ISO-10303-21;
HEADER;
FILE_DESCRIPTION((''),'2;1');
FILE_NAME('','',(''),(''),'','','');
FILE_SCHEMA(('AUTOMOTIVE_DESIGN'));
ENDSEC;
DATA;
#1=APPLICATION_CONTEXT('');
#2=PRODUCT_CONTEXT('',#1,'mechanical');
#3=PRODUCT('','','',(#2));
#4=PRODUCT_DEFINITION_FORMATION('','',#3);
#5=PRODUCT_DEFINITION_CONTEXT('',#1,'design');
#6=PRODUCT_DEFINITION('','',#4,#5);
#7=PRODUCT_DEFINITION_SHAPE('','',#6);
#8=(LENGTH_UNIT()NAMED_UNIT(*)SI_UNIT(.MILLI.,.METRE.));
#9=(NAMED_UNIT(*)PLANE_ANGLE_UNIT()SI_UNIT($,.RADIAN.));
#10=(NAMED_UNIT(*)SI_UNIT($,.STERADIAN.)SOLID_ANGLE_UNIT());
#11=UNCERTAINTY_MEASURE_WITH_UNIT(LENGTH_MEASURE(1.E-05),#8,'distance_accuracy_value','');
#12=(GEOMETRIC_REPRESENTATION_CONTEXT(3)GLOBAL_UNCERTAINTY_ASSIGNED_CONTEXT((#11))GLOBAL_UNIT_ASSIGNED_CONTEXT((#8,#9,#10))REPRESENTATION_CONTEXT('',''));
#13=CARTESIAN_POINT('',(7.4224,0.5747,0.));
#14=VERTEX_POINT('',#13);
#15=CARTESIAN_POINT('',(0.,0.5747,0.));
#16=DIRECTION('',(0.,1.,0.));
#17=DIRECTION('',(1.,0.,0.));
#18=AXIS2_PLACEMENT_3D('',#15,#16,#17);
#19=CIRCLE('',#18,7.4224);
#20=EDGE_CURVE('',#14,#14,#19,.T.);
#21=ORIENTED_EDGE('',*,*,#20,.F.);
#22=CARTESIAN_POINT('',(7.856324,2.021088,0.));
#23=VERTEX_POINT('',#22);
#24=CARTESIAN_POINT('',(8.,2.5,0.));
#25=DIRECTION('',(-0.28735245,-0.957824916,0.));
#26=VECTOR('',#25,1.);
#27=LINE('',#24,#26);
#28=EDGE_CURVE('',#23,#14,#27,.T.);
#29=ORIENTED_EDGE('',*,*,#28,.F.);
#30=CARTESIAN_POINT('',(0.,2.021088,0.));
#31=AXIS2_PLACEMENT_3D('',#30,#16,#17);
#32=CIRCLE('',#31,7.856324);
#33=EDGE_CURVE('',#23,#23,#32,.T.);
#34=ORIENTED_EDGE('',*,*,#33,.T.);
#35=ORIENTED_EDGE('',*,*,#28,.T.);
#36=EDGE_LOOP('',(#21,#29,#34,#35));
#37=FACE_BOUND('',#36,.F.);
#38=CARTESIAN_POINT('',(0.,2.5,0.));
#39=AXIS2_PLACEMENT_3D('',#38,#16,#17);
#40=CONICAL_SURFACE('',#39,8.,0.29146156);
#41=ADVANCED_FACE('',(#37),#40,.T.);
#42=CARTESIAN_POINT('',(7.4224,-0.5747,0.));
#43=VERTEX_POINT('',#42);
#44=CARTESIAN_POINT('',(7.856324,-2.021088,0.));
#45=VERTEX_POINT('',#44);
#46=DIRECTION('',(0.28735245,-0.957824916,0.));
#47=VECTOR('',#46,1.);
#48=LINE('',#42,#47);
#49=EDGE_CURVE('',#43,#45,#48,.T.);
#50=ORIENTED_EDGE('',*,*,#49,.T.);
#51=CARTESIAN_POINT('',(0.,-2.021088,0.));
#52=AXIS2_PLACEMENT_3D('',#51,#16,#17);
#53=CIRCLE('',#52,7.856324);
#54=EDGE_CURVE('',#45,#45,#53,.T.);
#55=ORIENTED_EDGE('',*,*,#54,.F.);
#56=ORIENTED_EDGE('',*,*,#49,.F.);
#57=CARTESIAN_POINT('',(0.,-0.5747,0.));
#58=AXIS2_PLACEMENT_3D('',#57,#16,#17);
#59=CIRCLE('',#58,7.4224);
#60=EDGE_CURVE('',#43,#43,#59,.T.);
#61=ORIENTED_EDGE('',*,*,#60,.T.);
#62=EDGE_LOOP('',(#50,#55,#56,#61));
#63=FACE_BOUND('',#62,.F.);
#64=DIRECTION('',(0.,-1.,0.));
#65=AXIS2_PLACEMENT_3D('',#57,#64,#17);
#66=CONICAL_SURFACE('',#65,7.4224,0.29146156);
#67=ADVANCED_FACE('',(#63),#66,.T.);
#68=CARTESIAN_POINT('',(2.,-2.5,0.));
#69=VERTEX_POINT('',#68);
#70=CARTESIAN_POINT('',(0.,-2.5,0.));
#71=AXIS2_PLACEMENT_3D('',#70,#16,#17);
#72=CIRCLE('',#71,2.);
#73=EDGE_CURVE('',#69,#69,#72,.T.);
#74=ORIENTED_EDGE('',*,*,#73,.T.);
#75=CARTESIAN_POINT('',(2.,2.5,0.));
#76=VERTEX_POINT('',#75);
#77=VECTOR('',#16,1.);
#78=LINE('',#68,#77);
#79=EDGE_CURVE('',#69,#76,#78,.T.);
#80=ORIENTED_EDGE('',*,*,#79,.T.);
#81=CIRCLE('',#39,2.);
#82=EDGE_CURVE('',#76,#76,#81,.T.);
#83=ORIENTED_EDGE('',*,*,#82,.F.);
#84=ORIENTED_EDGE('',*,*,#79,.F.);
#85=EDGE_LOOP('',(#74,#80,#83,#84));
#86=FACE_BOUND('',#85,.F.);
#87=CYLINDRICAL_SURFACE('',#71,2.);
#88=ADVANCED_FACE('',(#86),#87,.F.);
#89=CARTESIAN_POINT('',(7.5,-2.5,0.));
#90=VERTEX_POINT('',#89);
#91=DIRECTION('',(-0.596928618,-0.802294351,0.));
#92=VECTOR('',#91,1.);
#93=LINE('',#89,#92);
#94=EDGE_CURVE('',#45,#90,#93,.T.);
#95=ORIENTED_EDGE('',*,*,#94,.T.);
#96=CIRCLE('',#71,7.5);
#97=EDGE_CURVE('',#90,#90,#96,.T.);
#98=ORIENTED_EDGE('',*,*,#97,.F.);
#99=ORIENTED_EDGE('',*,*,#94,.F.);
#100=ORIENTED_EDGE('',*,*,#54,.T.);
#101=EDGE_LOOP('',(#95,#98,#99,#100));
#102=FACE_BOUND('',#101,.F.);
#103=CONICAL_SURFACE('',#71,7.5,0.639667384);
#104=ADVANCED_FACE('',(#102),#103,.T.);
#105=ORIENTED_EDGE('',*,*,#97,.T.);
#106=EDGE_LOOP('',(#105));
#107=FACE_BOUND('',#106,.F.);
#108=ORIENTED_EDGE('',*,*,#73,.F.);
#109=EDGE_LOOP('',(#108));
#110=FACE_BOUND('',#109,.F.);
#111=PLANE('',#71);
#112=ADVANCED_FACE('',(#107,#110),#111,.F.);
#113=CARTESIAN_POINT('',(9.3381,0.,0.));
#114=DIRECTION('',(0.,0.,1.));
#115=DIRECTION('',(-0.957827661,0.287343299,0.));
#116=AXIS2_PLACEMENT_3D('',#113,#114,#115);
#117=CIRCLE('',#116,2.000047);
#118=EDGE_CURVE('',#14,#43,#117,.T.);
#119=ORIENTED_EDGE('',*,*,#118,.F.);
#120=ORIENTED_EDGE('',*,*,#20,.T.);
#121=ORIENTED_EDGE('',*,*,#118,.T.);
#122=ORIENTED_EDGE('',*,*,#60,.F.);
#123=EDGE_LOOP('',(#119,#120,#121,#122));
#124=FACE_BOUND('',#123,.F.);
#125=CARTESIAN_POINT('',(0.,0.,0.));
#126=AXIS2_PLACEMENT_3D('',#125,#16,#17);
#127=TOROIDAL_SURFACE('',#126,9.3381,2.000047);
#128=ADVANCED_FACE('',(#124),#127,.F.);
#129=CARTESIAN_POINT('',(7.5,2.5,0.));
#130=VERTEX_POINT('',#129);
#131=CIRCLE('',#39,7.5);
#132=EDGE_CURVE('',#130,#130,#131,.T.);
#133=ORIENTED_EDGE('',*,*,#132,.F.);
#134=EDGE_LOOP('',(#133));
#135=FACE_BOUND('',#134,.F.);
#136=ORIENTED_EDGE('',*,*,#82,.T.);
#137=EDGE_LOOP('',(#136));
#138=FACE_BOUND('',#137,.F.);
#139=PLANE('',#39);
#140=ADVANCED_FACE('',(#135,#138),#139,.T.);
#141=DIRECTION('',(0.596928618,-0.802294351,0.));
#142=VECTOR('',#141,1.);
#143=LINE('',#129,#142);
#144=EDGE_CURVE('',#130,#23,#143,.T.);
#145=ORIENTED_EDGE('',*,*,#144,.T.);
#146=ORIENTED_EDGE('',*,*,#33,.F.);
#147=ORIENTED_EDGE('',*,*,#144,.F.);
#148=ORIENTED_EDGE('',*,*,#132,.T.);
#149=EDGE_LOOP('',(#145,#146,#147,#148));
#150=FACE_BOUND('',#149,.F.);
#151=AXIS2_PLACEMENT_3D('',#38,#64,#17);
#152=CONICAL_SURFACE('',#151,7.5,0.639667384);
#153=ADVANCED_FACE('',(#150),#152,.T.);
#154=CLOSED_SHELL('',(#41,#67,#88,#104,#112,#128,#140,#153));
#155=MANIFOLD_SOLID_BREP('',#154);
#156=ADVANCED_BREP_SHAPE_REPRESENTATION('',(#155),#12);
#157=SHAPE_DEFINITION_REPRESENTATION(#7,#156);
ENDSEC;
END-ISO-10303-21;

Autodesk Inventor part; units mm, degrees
ref_plane "YZ Plane" through (0, 0, 0) normal (1, 0, 0) x (0, 1, 0)
ref_plane "XZ Plane" through (0, 0, 0) normal (0, 1, 0) x (-1, 0, 0)
ref_plane "XY Plane" through (0, 0, 0) normal (0, 0, 1) x (1, 0, 0)
sketch "Esquisse1" plane through (0, 0, 0) normal (0, 0, 1) x (1, 0, 0)
  line L0 (0, 0) -> (0, 2.5152)
  line L1 (2, -2.5) -> (2, 2.5)
  line L2 (2, 2.5) -> (8, 2.5)
  line L3 (8, 2.5) -> (7.4224, 0.5747)
  line L4 (7.4224, -0.5747) -> (8, -2.5)
  line L5 (8, -2.5) -> (2, -2.5)
  arc A0 (7.4224, 0.5747) -> (7.4224, -0.5747) centre (9.3381, 0) ccw
  point P0 (7.25, 0)
  dimension "d0" = 4
  dimension "d1" = 5
  dimension "d2" = 2.5
  dimension "d3" = 16
  dimension "d4" = 14.5
  dimension "d5" = 2
revolve "Révolution1" add sketch "Esquisse1" angle 360 about axis through (0, 0, 0) along (0, 1, 0)
chamfer "Chanfrein1" distance 0.5 angle 45 2 edges at (-8, 2.5, 0) (-8, -2.5, 0)
equation "\"d2\" = 0.5 * d1"
properties part number "Roulement a bille 634ZZ" material "----------"
